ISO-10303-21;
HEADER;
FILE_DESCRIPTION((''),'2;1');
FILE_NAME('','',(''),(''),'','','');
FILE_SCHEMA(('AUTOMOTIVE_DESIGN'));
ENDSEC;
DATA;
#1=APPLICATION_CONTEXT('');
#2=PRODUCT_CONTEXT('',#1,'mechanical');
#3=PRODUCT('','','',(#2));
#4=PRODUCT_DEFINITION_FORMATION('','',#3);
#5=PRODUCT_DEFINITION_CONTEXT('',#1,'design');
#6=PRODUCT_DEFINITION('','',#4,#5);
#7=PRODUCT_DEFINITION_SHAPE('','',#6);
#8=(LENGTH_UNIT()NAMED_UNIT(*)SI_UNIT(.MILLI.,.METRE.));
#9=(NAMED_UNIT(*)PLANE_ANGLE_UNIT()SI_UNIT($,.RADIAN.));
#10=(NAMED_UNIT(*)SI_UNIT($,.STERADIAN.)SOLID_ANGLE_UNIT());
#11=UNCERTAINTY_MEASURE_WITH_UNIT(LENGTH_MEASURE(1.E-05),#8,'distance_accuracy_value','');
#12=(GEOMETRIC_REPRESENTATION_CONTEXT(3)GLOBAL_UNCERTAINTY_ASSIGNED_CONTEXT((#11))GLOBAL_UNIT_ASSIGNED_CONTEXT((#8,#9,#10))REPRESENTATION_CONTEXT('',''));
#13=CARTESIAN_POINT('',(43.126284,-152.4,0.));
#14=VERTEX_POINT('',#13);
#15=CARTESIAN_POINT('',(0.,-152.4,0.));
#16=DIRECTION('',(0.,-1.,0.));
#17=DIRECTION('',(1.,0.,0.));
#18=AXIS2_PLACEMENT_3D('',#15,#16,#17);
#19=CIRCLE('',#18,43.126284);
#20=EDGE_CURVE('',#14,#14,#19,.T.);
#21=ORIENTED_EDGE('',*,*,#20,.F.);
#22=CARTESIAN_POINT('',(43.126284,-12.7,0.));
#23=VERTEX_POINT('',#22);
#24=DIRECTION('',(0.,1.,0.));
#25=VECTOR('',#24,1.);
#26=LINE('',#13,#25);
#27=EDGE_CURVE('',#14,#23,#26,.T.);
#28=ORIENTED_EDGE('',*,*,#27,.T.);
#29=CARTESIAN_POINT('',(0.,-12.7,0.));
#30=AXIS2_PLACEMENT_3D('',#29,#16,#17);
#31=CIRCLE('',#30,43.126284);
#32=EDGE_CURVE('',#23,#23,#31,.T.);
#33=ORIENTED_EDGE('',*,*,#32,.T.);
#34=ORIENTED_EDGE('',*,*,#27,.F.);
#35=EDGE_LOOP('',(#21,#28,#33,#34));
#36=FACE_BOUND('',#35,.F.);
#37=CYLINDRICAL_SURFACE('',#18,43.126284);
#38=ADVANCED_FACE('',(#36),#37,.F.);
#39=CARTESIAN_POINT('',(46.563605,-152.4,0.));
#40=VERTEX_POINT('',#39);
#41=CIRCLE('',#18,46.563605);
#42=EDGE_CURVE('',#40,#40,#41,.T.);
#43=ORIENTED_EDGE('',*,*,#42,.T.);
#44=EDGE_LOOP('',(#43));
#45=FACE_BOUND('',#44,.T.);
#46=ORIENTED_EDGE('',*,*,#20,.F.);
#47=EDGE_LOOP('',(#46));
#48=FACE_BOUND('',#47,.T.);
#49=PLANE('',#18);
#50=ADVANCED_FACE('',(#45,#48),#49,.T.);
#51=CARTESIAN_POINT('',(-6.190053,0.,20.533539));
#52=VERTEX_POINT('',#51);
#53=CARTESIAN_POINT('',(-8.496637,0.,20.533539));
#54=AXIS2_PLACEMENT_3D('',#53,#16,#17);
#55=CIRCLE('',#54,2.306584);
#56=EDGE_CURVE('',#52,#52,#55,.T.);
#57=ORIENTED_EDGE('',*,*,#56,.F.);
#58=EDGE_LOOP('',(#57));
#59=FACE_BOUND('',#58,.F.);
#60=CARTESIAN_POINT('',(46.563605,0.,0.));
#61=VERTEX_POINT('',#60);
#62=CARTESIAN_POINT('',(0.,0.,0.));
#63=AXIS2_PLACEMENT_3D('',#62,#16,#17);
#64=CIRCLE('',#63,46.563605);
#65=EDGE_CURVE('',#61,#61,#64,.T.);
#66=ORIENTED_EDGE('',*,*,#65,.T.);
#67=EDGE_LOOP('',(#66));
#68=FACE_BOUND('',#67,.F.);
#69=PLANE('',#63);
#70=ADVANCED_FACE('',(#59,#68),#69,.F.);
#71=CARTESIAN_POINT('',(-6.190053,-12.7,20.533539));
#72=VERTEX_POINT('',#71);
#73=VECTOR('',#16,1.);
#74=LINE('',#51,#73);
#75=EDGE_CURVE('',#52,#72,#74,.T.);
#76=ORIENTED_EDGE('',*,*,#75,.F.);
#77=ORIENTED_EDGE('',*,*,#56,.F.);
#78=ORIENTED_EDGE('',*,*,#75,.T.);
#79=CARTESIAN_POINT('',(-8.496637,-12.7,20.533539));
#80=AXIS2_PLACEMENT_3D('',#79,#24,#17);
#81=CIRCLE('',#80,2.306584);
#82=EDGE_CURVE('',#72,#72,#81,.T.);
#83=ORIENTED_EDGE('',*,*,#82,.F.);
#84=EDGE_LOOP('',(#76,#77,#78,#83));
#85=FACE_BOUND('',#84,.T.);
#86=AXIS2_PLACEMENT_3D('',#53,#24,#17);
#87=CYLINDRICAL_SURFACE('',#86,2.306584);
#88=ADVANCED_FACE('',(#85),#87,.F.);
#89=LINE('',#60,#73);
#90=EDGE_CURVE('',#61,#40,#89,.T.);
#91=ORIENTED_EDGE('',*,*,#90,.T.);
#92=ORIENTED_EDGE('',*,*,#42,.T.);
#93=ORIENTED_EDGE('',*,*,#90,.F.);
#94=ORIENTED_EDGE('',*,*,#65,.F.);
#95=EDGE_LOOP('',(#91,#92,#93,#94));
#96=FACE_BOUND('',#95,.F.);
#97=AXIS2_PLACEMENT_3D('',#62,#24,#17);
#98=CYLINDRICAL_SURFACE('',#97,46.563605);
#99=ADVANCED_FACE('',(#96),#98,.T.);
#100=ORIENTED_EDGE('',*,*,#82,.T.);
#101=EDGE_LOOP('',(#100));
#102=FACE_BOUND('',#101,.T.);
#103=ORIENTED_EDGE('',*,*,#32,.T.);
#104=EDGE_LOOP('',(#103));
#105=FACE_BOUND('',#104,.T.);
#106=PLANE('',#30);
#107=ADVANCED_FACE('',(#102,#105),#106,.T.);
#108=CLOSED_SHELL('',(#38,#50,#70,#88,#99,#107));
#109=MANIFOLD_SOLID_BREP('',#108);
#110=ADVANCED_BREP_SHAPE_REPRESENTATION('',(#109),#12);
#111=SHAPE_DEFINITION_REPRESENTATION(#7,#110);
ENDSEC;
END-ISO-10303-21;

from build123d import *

# Parameters (mm, degrees)
F0_R     = 46.563605
F0_R_2   = 2.306584
F1_DEPTH = 152.4
F2_R     = 43.126284
F3_DEPTH = 139.7


with BuildPart() as f1:
    # F0 (on Front) → F1 (new body)
    with BuildSketch(Plane.XZ):
        Circle(F0_R)
        with Locations((-8.496637, 20.533539)):
            Circle(F0_R_2, mode=Mode.SUBTRACT)
    extrude(amount=F1_DEPTH)

    # F2 (on face) → F3 (cut)
    with BuildSketch(Plane.XZ.offset(152.4)):
        Circle(F2_R)
    extrude(amount=-F3_DEPTH, mode=Mode.SUBTRACT)


solid = f1.part
